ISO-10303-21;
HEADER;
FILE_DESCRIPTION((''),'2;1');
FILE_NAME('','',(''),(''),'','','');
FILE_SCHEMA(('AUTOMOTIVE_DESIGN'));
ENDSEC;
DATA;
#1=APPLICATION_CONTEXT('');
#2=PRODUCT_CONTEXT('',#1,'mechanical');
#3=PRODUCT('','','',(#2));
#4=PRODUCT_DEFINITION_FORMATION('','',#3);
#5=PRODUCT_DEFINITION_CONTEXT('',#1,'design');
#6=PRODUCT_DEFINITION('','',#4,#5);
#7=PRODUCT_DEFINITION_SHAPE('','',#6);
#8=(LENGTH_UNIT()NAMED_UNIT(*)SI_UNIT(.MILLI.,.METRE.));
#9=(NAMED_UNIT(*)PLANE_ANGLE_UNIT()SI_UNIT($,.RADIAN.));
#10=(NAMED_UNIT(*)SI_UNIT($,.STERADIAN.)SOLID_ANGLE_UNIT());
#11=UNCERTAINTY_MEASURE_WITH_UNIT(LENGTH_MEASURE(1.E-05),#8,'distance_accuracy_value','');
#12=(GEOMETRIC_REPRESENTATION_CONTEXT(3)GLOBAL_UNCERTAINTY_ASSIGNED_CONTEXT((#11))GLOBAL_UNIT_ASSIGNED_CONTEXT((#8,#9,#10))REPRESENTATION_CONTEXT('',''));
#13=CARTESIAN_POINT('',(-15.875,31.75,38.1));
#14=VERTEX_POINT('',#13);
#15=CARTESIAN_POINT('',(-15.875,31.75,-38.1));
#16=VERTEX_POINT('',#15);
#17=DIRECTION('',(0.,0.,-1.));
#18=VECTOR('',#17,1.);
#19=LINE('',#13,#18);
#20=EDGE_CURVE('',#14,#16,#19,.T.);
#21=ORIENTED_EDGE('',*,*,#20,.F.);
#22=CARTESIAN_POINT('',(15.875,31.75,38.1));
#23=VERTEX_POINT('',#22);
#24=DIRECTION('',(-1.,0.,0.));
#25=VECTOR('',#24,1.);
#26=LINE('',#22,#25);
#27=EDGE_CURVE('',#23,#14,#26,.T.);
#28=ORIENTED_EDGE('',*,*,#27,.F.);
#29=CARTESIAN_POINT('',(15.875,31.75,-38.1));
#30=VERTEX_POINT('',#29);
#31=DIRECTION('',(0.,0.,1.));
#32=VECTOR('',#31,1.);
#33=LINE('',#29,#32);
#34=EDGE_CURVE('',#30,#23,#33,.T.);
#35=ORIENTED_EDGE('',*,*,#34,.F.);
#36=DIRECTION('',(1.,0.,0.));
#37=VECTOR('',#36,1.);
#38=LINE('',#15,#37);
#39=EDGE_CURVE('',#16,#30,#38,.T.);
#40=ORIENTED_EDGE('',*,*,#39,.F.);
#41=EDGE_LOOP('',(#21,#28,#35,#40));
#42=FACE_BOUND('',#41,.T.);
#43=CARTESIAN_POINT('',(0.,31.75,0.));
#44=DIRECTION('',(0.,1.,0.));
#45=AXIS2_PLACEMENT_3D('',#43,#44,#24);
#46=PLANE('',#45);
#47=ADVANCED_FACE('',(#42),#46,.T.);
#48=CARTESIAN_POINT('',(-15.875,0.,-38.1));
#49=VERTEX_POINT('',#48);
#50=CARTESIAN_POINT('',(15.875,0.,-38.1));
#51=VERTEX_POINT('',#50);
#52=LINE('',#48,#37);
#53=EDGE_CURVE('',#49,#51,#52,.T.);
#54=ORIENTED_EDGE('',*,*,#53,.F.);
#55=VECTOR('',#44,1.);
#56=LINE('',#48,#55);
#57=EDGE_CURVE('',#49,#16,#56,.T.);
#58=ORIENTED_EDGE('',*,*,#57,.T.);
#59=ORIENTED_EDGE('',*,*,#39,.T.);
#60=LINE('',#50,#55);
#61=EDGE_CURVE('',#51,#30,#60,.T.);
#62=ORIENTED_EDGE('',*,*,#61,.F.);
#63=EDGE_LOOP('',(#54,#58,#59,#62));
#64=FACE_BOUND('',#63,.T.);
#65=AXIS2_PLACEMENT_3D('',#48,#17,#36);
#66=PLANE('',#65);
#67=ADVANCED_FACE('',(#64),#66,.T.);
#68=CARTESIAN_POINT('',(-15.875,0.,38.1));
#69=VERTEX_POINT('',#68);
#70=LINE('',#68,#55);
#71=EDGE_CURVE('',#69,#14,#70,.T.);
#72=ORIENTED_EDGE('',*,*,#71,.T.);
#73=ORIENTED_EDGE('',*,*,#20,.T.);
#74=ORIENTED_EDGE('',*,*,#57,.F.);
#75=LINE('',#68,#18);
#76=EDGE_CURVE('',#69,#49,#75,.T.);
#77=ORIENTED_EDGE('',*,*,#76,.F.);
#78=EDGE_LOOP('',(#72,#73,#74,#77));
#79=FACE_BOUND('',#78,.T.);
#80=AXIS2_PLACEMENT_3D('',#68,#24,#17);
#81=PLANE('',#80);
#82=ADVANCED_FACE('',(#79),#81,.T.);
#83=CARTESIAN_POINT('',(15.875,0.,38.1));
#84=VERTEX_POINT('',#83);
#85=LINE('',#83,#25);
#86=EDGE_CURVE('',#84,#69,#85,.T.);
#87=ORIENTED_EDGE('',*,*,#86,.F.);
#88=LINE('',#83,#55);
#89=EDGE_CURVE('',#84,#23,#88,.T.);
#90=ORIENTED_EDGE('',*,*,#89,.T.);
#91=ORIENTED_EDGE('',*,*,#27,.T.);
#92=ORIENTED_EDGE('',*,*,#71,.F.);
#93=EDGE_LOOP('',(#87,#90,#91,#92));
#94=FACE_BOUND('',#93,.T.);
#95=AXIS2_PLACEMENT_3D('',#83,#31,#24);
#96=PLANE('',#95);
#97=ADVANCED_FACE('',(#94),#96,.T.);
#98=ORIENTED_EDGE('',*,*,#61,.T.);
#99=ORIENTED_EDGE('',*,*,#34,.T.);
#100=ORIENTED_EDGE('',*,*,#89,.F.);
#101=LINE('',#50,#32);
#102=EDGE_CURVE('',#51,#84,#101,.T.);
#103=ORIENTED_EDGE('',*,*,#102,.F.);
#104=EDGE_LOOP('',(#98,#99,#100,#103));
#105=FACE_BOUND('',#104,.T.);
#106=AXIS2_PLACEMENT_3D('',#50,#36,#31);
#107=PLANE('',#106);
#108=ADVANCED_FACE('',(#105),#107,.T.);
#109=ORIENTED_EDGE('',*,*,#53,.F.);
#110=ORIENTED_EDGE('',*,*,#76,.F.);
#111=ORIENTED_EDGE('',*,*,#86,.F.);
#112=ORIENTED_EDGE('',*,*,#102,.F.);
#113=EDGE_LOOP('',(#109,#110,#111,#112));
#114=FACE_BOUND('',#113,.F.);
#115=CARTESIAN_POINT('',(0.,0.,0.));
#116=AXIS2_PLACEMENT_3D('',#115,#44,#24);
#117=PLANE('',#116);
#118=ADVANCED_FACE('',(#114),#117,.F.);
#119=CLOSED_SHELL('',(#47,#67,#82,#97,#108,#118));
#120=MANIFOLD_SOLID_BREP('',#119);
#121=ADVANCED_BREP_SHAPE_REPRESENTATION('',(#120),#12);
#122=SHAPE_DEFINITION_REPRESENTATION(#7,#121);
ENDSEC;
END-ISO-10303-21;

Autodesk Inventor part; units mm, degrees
ref_plane "YZ Plane" through (0, 0, 0) normal (1, 0, 0) x (0, 1, 0)
ref_plane "XZ Plane" through (0, 0, 0) normal (0, 1, 0) x (-1, 0, 0)
ref_plane "XY Plane" through (0, 0, 0) normal (0, 0, 1) x (1, 0, 0)
sketch "Sketch1" plane through (0, 0, 0) normal (0, 1, 0) x (-1, 0, 0)
  line L0 (-15.875, 38.1) -> (15.875, 38.1)
  line L1 (15.875, 38.1) -> (15.875, -38.1)
  line L2 (15.875, -38.1) -> (-15.875, -38.1)
  line L3 (-15.875, -38.1) -> (-15.875, 38.1)
  line L4 (-15.875, 38.1) -> (15.875, -38.1) construction
  line L5 (15.875, 38.1) -> (-15.875, -38.1) construction
  point P0 (0, 0)
  dimension "d0" = 76.2
  dimension "d1" = 31.75
extrude "Extrusion1" add sketch "Sketch1" along normal blind 31.75
properties part number "mockPi"
